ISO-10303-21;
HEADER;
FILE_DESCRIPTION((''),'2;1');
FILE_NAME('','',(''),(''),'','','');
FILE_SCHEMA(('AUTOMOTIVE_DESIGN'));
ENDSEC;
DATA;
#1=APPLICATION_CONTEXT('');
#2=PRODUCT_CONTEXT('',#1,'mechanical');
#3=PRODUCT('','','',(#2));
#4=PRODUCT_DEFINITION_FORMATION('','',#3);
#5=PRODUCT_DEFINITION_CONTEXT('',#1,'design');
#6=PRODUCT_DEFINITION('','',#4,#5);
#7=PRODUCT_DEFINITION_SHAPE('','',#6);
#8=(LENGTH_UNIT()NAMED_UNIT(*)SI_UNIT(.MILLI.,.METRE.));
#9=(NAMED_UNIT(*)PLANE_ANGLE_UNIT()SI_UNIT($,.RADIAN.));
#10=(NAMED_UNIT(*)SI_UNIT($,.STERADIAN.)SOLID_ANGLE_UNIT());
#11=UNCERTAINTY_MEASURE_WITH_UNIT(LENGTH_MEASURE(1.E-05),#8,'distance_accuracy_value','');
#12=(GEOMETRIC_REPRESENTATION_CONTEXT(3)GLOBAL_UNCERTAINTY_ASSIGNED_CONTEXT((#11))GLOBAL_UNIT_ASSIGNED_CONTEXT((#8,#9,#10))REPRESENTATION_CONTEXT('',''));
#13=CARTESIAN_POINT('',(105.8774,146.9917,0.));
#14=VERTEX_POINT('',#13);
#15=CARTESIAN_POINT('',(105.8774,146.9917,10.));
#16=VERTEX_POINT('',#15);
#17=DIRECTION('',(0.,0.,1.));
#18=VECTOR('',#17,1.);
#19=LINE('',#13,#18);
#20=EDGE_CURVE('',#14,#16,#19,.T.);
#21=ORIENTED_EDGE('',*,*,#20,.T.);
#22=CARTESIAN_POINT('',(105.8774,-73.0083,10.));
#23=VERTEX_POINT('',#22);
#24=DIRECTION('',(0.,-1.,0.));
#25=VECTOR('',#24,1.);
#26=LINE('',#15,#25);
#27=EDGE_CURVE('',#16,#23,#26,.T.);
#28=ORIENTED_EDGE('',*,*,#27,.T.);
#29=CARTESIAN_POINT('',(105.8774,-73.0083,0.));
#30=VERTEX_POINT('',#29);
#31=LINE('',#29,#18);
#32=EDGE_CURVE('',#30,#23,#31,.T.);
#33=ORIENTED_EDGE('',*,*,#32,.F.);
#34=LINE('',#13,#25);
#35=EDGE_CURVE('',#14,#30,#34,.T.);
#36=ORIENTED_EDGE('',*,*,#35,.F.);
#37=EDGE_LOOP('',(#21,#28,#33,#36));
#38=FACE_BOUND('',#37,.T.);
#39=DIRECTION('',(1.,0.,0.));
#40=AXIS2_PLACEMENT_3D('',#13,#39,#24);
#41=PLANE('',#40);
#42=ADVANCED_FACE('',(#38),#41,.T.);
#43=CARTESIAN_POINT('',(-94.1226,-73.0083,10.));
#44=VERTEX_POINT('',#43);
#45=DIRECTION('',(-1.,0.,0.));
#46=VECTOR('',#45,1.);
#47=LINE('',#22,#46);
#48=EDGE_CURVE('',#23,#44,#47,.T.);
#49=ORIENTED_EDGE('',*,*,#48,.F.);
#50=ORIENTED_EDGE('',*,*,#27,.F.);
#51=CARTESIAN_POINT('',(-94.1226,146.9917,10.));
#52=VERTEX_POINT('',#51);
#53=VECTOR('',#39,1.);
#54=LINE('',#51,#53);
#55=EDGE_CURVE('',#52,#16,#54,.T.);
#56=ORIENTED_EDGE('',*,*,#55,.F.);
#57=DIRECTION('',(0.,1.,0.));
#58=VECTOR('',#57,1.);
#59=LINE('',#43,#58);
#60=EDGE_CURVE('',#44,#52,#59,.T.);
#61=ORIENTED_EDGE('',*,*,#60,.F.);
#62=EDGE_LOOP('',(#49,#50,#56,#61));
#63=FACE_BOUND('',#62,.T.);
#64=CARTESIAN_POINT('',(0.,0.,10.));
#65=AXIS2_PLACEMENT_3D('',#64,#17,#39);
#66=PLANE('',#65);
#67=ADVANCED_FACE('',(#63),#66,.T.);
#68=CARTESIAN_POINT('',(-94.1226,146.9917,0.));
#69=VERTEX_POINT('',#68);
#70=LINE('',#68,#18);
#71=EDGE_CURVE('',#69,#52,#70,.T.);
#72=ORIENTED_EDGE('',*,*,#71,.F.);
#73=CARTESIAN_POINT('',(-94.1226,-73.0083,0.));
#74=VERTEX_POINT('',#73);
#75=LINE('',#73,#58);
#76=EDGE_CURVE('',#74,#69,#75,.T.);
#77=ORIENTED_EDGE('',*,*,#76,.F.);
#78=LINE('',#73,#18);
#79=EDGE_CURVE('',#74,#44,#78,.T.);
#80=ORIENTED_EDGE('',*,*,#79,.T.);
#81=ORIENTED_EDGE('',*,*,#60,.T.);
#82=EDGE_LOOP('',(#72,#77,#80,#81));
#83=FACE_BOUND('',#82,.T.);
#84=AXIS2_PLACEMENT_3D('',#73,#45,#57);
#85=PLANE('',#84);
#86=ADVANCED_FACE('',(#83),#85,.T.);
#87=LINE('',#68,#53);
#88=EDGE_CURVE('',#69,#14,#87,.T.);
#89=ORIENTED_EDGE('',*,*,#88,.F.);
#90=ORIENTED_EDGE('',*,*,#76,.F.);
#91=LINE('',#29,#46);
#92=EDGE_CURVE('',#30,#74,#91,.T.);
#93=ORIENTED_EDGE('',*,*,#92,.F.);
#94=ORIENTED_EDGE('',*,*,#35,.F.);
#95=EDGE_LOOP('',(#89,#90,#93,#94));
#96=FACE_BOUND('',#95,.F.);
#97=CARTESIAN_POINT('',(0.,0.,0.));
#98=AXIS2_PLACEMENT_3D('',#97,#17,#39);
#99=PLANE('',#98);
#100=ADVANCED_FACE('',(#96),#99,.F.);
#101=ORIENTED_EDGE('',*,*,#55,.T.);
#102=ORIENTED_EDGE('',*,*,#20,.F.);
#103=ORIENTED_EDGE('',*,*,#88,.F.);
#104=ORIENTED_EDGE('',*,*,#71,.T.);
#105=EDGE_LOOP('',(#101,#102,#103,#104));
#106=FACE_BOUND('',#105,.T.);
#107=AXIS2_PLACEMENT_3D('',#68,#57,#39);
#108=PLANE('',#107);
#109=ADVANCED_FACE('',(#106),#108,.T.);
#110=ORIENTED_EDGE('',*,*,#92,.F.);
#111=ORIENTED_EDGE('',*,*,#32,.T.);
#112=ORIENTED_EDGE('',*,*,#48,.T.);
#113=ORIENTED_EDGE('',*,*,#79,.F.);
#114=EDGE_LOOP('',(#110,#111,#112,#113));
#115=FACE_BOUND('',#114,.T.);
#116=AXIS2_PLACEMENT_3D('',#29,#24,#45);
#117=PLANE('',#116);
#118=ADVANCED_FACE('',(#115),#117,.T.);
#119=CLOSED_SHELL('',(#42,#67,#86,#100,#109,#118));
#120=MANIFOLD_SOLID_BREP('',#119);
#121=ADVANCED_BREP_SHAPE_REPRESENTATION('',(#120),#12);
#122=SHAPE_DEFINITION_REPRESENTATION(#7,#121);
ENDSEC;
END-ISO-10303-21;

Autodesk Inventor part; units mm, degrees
ref_plane "YZ Plane" through (0, 0, 0) normal (1, 0, 0) x (0, 1, 0)
ref_plane "XZ Plane" through (0, 0, 0) normal (0, 1, 0) x (-1, 0, 0)
ref_plane "XY Plane" through (0, 0, 0) normal (0, 0, 1) x (1, 0, 0)
sketch "Sketch1" plane through (0, 0, 0) normal (0, 0, 1) x (1, 0, 0)
  line L0 (-94.1226, 146.9917) -> (105.8774, 146.9917)
  line L1 (105.8774, 146.9917) -> (105.8774, -73.0083)
  line L2 (105.8774, -73.0083) -> (-94.1226, -73.0083)
  line L3 (-94.1226, -73.0083) -> (-94.1226, 146.9917)
  point P0 (0, 0)
  dimension "d0" = 200
  dimension "d1" = 220
extrude "Extrusion1" add sketch "Sketch1" along normal blind 10
properties part number "base"
